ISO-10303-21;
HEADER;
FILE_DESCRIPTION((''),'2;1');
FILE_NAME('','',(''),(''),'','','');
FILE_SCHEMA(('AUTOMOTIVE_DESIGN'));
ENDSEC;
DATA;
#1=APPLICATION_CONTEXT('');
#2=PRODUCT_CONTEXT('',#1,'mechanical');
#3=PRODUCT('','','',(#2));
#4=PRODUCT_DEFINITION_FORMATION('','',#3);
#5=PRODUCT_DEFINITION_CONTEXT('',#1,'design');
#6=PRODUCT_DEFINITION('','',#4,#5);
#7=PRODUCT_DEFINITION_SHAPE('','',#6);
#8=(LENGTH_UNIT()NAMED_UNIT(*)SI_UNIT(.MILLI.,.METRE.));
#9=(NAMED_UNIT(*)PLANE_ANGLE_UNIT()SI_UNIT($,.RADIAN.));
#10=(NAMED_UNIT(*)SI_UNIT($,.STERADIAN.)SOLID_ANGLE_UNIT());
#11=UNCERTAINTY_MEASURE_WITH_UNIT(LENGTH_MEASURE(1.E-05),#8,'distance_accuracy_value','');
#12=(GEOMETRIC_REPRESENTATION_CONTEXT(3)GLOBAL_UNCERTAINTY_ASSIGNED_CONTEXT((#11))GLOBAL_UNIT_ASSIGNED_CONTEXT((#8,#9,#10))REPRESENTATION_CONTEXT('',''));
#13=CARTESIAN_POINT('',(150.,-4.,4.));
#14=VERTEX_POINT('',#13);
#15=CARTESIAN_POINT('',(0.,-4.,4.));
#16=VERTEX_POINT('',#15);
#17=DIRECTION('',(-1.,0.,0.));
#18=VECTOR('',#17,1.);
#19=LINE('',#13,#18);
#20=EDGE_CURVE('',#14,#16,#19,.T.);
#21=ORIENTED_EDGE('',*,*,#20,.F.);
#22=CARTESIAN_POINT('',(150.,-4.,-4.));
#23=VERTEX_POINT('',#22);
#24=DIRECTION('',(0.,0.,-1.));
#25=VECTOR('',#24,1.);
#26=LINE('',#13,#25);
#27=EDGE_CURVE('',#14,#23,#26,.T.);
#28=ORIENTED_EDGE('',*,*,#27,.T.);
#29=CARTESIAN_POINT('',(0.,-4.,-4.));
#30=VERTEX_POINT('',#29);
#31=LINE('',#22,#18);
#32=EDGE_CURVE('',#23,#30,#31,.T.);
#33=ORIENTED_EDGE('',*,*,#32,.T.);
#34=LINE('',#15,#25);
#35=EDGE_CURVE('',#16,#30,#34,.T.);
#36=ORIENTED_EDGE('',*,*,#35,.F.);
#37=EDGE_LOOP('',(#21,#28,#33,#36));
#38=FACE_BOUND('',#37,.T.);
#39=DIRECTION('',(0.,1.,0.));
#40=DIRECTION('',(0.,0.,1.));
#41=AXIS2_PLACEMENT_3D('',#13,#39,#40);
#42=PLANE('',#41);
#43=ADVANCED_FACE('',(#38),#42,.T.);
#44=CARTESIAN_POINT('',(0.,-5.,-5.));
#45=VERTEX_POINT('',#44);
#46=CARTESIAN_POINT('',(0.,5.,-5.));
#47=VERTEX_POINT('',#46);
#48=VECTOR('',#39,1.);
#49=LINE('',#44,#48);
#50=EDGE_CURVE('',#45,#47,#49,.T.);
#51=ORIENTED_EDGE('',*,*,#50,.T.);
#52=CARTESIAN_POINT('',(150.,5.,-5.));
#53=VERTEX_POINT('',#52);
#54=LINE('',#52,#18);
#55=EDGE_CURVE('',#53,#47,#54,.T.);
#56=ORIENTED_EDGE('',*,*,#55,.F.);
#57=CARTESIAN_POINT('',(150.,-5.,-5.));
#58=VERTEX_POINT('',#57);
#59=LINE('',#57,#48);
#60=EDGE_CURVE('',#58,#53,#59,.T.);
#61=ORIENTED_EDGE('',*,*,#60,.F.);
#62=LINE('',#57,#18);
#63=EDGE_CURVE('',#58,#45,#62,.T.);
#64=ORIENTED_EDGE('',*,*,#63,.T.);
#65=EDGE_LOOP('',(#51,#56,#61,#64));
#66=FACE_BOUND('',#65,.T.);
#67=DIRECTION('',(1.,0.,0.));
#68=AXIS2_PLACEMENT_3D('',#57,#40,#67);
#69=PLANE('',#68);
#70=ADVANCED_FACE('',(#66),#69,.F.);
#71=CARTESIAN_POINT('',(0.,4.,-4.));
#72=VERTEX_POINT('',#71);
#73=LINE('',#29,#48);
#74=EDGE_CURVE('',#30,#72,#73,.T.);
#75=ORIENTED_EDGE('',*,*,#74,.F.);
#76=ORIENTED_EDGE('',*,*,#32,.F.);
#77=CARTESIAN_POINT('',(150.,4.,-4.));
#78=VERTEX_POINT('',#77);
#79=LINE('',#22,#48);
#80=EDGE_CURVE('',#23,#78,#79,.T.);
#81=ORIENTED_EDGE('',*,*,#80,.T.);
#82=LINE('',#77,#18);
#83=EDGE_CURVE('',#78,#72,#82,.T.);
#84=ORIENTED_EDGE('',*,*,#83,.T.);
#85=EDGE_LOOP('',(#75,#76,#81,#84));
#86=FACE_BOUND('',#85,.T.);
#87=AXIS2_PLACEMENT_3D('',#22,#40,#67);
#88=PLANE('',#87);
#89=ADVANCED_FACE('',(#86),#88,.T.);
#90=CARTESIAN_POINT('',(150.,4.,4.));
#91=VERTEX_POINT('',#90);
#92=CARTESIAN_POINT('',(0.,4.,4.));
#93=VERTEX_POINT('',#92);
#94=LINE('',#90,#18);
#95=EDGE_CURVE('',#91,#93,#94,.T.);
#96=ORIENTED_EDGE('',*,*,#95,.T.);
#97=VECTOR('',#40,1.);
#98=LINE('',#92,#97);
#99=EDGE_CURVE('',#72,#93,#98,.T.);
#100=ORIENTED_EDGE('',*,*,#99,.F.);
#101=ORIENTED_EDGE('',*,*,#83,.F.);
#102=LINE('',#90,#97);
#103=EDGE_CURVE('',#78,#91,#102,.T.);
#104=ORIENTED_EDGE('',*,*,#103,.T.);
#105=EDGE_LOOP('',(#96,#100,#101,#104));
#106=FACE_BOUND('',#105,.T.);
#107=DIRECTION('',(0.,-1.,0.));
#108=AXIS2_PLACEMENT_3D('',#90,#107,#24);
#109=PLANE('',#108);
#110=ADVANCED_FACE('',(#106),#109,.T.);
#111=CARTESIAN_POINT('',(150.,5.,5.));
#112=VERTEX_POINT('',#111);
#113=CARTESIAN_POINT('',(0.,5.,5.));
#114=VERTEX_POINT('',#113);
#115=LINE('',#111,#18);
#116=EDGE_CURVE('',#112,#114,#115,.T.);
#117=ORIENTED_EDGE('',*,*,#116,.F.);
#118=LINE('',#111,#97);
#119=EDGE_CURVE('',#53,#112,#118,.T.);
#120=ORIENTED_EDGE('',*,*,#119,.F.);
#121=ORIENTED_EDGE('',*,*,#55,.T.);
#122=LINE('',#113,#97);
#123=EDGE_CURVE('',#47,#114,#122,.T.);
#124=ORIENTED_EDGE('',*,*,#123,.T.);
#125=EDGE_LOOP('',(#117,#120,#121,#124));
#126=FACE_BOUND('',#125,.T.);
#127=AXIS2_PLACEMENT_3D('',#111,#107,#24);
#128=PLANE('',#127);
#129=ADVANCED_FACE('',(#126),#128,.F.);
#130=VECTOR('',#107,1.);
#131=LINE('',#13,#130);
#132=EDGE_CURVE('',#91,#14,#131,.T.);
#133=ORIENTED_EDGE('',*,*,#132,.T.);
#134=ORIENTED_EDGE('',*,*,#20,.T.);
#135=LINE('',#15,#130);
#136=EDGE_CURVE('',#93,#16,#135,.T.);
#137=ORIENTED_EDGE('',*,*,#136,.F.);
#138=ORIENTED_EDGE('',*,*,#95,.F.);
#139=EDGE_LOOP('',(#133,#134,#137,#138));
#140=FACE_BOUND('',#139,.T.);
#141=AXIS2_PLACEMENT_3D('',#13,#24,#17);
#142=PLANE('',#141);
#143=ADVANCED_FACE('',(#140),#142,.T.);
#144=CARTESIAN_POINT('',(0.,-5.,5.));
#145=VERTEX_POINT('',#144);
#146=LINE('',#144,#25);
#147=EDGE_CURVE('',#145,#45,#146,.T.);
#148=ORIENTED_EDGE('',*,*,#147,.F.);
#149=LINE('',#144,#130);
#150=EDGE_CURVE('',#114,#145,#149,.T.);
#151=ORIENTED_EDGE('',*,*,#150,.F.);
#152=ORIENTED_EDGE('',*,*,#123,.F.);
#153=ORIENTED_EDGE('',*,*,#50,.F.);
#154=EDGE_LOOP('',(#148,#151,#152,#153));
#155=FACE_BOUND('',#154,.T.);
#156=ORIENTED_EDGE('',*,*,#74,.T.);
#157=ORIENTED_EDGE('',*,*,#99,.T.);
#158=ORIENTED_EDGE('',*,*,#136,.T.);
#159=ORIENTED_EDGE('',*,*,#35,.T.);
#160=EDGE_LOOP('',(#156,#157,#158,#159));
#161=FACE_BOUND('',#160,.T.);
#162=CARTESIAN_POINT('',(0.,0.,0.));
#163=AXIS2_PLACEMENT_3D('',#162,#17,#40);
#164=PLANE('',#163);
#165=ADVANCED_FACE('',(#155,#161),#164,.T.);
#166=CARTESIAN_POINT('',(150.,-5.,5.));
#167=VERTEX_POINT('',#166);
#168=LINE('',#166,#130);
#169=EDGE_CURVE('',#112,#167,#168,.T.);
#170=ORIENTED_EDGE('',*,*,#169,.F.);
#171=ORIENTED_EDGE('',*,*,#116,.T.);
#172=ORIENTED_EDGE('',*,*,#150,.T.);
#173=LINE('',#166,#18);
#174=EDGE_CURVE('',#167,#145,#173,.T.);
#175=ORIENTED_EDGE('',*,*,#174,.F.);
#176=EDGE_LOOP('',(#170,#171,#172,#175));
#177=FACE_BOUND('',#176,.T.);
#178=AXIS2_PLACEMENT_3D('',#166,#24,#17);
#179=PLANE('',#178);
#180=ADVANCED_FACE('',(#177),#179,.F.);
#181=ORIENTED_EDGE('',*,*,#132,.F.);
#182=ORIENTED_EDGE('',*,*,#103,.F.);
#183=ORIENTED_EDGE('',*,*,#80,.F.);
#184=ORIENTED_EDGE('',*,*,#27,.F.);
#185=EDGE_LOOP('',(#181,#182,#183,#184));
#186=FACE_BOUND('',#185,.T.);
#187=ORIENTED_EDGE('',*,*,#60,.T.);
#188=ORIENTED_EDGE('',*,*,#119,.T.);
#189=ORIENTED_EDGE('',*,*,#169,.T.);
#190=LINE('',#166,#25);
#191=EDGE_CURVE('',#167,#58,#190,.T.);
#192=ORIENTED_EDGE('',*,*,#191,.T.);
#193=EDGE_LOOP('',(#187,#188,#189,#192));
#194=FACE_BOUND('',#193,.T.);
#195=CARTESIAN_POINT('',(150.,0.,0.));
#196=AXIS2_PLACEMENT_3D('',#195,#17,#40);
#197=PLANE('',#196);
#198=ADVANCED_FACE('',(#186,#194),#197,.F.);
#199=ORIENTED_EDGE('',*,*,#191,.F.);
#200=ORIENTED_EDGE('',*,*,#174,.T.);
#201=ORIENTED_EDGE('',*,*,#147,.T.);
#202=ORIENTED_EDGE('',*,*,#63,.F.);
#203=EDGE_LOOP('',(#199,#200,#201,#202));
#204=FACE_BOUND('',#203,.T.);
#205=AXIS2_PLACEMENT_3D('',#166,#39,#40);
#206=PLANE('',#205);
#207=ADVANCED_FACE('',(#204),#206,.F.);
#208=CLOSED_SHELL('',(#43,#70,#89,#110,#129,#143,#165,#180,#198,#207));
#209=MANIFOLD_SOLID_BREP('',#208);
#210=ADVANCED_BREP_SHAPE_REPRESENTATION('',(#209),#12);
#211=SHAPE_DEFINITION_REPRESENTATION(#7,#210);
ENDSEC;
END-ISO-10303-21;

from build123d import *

# Parameters (mm, degrees)
SKETCH1_W           = 10
SKETCH1_H           = 10
SKETCH1_W_2         = 8
SKETCH1_H_2         = 8
BOSS_EXTRUDE1_DEPTH = 150


with BuildPart() as part:
    # Sketch1 → Boss-Extrude1 (new body)
    with BuildSketch(Plane(origin=(0, 0, 0), x_dir=(0, 0, -1), z_dir=(1, 0, 0))):
        Rectangle(SKETCH1_W, SKETCH1_H)
        Rectangle(SKETCH1_W_2, SKETCH1_H_2, mode=Mode.SUBTRACT)
    extrude(amount=BOSS_EXTRUDE1_DEPTH)


solid = part.part
